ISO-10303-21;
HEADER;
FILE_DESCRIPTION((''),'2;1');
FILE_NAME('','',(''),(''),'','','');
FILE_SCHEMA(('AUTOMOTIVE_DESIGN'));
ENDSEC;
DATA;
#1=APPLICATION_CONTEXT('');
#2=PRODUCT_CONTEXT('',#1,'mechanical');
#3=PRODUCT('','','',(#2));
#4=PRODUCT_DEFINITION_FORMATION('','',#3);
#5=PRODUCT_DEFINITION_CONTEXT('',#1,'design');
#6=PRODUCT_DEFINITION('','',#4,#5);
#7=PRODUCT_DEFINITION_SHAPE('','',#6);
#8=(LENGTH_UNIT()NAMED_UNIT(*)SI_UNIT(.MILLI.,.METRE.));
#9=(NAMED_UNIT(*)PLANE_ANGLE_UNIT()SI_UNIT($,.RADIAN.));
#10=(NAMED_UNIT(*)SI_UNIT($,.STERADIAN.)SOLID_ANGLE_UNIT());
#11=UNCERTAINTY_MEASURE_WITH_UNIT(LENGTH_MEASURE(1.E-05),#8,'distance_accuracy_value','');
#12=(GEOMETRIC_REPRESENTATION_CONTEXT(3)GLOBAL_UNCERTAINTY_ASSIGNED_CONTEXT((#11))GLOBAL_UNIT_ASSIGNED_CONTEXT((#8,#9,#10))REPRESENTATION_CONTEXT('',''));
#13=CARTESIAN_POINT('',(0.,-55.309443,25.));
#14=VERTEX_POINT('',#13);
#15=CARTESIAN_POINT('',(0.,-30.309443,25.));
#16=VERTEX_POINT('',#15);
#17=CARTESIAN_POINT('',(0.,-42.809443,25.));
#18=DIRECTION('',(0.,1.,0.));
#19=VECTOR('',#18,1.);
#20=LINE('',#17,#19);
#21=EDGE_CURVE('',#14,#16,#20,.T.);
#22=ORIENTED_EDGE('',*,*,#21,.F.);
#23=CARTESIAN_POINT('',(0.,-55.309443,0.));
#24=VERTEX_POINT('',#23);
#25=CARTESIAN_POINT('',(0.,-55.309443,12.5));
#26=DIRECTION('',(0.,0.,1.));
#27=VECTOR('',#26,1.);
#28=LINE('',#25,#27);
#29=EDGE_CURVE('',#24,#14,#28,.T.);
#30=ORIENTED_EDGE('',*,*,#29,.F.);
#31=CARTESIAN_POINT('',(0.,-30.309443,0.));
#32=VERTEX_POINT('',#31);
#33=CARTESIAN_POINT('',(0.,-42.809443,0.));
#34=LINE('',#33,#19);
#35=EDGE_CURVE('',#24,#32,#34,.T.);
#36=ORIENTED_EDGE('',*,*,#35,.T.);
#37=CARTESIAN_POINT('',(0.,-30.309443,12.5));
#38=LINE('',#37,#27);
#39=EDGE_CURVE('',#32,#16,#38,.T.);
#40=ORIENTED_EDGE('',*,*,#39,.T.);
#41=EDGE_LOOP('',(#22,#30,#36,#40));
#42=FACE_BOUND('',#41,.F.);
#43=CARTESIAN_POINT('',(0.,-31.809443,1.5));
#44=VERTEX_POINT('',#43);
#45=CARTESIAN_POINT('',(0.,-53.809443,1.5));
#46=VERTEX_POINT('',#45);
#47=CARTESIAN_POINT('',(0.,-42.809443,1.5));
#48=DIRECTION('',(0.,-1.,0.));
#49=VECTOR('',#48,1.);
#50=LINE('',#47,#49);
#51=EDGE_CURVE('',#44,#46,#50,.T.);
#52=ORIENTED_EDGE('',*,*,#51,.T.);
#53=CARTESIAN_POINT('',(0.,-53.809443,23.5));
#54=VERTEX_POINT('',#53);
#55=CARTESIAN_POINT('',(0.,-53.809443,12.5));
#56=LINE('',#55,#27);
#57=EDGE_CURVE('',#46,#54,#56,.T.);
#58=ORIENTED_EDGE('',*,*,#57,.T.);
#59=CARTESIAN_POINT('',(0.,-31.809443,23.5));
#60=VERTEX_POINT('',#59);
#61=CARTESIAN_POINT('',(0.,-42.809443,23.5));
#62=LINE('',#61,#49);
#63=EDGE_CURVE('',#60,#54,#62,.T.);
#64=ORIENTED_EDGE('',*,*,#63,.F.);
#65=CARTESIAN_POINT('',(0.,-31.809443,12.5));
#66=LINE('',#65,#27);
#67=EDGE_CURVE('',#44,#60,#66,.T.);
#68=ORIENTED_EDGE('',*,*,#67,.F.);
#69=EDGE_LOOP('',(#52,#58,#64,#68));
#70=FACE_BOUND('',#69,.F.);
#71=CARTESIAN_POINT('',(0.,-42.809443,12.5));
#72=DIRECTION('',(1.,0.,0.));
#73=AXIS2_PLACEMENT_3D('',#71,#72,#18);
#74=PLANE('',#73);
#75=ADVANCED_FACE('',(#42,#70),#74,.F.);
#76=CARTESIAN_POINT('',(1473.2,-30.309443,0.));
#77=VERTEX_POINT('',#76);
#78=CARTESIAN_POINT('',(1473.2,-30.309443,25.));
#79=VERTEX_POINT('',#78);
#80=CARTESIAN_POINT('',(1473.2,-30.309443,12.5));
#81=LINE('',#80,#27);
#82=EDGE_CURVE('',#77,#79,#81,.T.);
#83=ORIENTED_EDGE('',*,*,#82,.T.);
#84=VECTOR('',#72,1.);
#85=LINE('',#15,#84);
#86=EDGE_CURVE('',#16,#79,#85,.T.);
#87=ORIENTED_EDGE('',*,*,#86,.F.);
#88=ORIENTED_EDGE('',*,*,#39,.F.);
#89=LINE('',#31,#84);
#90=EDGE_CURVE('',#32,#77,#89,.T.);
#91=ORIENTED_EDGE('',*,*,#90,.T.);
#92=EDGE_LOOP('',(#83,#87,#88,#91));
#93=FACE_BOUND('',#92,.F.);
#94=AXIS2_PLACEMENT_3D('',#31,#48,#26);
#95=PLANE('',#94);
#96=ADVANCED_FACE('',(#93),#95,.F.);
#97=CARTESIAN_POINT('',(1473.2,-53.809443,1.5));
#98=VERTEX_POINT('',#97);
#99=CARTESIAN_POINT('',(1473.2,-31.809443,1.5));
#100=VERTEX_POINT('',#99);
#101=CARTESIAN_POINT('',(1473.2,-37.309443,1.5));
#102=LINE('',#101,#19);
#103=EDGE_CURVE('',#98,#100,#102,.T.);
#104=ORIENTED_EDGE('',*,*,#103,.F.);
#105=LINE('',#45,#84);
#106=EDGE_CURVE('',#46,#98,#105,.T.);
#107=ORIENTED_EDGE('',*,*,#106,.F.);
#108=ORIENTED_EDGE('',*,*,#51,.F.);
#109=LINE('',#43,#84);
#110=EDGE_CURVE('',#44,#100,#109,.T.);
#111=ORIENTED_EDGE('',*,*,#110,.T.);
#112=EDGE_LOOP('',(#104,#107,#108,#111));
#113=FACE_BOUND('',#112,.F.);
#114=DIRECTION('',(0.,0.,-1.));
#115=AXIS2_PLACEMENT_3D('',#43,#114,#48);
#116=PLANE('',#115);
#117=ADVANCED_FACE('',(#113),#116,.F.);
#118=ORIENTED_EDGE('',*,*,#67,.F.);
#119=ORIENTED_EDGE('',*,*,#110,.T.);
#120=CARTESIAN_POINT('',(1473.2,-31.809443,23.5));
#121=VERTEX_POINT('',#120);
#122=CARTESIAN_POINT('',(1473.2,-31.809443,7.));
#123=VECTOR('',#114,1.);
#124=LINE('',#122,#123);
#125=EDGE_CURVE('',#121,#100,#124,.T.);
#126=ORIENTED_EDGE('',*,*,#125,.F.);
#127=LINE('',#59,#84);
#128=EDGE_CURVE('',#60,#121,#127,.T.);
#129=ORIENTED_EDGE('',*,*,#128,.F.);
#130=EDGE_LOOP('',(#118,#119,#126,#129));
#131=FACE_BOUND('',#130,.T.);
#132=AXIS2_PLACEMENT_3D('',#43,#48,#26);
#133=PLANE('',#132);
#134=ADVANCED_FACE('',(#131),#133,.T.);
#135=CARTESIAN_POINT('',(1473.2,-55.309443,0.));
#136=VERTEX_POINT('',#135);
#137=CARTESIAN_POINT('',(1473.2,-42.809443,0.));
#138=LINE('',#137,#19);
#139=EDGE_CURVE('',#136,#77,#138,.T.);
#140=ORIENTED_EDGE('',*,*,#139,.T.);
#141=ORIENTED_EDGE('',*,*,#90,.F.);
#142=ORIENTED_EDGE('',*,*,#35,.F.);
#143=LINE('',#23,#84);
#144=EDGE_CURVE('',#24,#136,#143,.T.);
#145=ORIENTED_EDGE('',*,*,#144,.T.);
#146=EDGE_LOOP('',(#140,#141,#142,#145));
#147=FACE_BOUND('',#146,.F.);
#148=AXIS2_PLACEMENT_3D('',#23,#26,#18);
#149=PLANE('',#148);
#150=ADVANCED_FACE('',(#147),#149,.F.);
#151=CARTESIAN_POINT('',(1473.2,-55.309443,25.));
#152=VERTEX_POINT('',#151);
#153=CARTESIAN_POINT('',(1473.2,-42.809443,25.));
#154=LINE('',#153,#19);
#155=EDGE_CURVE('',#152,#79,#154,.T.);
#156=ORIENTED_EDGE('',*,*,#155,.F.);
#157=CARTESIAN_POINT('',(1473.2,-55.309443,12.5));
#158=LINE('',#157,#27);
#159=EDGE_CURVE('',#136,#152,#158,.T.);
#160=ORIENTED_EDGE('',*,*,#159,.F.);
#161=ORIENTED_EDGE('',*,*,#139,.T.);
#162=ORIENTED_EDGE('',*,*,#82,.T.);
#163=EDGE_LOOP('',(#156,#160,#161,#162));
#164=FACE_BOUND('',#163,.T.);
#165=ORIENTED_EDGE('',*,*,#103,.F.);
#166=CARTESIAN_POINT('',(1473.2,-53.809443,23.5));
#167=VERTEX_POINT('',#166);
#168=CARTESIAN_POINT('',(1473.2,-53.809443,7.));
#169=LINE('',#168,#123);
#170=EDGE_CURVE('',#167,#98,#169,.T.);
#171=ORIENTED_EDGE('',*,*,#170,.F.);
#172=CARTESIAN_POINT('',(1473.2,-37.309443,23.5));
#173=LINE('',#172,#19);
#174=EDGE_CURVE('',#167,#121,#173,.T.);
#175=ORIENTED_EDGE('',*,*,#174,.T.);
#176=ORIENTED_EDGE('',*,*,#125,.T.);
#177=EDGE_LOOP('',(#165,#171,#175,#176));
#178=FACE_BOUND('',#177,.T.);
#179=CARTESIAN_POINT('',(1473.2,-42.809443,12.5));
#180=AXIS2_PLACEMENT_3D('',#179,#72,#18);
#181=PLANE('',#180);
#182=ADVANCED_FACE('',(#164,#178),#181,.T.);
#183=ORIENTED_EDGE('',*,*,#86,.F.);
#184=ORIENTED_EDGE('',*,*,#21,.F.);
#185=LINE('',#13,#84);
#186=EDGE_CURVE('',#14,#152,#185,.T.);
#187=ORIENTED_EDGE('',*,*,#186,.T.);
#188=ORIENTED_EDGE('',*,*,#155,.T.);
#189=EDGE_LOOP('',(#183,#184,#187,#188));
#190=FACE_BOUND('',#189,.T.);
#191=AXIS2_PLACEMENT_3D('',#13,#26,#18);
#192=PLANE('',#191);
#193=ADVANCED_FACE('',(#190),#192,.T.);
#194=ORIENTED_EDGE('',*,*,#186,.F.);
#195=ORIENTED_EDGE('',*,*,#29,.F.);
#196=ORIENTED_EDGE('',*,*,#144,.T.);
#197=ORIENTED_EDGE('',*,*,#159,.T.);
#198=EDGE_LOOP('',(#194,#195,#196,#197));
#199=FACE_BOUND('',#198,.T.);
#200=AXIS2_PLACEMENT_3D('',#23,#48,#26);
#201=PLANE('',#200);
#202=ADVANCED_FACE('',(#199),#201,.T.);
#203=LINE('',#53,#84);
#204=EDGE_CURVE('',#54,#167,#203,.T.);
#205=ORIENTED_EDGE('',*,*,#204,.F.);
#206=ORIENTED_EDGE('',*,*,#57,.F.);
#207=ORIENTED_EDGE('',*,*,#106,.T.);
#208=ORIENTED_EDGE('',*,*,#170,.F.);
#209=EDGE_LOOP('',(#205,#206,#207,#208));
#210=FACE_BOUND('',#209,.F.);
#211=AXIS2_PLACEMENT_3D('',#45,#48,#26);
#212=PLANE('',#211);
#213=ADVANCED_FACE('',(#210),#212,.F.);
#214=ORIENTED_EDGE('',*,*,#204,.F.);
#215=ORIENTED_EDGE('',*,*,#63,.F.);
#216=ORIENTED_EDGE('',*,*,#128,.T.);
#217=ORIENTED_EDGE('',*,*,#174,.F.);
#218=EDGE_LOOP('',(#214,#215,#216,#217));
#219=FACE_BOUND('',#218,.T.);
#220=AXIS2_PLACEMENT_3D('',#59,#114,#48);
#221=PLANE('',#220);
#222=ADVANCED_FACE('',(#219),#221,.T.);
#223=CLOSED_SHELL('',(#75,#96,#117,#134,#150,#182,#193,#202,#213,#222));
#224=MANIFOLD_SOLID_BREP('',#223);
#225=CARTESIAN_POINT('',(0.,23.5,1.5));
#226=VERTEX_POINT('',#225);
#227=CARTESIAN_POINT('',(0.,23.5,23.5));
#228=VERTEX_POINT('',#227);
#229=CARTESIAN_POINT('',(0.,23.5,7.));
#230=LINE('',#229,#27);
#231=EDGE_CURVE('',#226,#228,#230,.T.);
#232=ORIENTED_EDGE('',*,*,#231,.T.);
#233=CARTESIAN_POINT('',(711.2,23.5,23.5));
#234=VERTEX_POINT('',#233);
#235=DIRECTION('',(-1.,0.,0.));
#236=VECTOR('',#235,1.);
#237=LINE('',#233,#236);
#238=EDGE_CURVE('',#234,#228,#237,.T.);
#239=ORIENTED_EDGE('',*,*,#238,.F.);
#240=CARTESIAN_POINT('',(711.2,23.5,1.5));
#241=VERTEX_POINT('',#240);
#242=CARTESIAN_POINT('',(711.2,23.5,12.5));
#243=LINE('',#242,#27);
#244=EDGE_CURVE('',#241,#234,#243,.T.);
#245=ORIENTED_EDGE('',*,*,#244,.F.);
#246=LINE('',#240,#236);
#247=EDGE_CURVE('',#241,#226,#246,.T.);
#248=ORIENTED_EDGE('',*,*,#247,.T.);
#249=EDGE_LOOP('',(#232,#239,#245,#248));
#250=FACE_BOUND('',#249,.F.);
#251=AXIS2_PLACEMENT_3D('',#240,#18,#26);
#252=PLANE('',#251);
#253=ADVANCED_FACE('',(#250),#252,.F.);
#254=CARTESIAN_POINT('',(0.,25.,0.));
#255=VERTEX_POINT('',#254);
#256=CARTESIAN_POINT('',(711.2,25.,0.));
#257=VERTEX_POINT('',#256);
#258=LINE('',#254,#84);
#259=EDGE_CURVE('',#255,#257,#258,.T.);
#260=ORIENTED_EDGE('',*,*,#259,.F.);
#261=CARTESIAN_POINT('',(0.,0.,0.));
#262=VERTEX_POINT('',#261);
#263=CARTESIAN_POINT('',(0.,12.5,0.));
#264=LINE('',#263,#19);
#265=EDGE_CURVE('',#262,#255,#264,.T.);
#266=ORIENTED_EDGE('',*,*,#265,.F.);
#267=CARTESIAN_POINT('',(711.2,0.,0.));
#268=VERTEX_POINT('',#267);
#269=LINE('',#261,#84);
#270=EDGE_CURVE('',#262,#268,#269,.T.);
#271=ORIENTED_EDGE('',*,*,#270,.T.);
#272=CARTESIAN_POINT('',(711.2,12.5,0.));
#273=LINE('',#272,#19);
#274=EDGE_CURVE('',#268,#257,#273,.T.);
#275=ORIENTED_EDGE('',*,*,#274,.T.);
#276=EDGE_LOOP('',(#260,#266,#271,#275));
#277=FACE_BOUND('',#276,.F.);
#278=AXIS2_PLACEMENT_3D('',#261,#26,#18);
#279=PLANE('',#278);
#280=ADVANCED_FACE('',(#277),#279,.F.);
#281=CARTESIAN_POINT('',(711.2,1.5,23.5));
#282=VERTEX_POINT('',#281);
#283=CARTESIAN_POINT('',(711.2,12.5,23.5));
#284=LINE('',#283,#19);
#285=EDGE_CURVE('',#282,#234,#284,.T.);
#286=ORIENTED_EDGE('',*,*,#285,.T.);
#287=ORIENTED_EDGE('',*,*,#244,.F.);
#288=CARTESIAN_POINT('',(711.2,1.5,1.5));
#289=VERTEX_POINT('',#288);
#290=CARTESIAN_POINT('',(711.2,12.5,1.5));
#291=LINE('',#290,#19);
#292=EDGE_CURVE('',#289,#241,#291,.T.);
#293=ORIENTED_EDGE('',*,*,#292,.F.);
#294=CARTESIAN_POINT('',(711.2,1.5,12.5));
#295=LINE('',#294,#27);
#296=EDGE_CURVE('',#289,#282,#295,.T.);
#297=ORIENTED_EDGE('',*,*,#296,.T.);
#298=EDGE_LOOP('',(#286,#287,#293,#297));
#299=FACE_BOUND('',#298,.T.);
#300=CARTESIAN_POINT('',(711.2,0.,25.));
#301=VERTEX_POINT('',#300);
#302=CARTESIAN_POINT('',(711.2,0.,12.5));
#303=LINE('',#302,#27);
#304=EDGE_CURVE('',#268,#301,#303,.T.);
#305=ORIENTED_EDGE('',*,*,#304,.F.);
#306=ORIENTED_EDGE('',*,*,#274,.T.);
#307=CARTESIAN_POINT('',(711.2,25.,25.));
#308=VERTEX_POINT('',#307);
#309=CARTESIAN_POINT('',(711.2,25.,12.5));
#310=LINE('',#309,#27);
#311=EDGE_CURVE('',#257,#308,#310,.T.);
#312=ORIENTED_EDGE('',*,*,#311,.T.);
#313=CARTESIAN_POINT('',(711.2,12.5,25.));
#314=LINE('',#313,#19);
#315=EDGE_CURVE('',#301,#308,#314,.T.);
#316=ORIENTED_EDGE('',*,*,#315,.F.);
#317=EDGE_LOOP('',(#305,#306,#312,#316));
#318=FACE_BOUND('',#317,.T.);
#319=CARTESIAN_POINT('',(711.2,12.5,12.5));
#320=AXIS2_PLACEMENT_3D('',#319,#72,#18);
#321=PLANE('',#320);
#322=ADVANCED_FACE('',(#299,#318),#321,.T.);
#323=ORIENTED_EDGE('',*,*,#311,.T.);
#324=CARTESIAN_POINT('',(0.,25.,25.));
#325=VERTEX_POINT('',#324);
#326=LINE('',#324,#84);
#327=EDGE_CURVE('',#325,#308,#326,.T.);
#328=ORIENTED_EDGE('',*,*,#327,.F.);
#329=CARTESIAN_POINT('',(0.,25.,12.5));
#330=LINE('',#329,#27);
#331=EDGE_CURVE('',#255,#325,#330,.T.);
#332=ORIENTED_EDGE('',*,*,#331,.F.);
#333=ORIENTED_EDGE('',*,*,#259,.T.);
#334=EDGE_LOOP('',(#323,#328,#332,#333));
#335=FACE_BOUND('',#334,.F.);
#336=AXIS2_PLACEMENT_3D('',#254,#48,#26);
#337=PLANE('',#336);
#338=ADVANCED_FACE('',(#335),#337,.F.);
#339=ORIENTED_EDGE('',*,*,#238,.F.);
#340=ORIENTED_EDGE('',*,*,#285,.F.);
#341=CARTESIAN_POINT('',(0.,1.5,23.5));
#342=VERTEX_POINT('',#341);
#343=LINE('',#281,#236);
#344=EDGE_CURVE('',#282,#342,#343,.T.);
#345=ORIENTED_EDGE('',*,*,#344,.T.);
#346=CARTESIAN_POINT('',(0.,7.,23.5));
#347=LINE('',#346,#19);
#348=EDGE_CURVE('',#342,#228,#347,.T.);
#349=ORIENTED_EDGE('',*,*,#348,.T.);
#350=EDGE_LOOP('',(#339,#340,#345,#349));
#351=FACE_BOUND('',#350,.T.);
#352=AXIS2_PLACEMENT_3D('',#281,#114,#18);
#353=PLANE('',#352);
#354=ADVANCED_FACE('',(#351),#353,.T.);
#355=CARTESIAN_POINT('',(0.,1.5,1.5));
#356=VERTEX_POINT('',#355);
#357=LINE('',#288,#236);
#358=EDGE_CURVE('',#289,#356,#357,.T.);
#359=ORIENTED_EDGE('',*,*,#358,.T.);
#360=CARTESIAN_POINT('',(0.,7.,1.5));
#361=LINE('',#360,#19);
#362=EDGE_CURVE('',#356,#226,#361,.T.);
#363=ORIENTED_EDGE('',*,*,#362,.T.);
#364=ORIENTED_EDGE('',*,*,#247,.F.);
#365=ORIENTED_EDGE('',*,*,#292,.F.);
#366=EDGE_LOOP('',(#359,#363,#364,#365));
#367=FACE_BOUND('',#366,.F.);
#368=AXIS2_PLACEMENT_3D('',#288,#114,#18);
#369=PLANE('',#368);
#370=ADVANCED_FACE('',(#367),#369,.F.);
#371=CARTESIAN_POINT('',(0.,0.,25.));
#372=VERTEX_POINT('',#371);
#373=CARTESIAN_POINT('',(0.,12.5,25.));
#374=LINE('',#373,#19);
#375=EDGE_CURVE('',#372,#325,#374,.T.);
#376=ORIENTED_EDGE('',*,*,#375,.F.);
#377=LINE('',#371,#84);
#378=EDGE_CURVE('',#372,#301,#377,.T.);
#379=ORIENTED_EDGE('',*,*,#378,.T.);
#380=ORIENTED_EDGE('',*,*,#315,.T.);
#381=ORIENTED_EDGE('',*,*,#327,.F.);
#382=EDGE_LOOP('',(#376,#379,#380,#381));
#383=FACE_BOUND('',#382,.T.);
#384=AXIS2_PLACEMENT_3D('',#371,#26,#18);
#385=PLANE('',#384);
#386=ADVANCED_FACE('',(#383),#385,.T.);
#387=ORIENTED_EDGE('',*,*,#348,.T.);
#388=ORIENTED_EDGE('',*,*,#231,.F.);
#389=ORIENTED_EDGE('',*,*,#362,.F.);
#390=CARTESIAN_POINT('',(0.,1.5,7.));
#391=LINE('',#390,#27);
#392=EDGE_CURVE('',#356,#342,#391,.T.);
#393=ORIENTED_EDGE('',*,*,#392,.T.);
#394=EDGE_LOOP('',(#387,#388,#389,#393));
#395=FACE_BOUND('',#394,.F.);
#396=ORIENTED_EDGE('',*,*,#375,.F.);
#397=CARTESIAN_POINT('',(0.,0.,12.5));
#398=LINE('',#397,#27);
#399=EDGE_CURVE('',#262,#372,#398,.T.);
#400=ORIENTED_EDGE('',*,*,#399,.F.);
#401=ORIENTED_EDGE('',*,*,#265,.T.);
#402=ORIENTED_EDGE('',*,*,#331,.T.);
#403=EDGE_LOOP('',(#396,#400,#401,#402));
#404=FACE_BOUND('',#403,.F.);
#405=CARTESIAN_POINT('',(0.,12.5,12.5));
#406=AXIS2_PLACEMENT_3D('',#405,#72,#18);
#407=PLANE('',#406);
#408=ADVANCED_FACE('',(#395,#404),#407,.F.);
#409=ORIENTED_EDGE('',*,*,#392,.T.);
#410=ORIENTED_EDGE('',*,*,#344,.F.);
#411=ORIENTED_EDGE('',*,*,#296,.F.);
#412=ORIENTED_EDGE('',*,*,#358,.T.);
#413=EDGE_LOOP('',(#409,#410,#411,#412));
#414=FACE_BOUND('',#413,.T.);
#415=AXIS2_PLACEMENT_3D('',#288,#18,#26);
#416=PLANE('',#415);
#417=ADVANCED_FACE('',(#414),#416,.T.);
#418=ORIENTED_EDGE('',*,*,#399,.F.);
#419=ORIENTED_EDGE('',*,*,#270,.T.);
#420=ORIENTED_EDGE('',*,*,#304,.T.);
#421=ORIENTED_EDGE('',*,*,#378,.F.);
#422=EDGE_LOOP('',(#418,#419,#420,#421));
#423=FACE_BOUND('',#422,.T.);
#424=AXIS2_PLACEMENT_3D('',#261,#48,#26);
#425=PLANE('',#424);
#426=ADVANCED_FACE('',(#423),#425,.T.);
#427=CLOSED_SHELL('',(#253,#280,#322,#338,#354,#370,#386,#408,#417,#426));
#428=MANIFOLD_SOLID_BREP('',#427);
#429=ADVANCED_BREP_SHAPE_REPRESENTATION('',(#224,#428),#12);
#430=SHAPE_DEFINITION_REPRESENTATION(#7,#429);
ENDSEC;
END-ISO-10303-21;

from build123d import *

# Parameters (mm, degrees)
F0_W     = 25
F0_H     = 25
F1_DEPTH = 711.2
F2_W     = 22
F2_H     = 22
F3_DEPTH = 711.201
F6_W     = 25
F6_H     = 25
F7_DEPTH = 1473.2
F8_W     = 22
F8_H     = 22
F9_DEPTH = 1473.201


with BuildPart() as f1:
    # F0 (on Right) → F1 (new body)
    with BuildSketch(Plane.YZ):
        with Locations((12.5, 12.5)):
            Rectangle(F0_W, F0_H)
    extrude(amount=F1_DEPTH)

    # F2 (on face) → F3 (cut, through all)
    with BuildSketch(Plane.YZ.offset(711.2)):
        with Locations((12.5, 12.5)):
            Rectangle(F2_W, F2_H)
    extrude(amount=-F3_DEPTH, mode=Mode.SUBTRACT)


with BuildPart() as f4_1:
    # F4: copy of F1
    add(f1.part.moved(Location((0, 100, 0))))


with BuildPart() as f7:
    # F6 (on Right) → F7 (new body)
    with BuildSketch(Plane.YZ):
        with Locations((-42.809443, 12.5)):
            Rectangle(F6_W, F6_H)
    extrude(amount=F7_DEPTH)

    # F8 (on face) → F9 (cut, through all)
    with BuildSketch(Plane(origin=(0, 0, 0), x_dir=(0, -1, 0), z_dir=(-1, 0, 0))):
        with Locations((42.809443, 12.5)):
            Rectangle(F8_W, F8_H)
    extrude(amount=-F9_DEPTH, mode=Mode.SUBTRACT)


solid = Compound([f1.part, f7.part])
